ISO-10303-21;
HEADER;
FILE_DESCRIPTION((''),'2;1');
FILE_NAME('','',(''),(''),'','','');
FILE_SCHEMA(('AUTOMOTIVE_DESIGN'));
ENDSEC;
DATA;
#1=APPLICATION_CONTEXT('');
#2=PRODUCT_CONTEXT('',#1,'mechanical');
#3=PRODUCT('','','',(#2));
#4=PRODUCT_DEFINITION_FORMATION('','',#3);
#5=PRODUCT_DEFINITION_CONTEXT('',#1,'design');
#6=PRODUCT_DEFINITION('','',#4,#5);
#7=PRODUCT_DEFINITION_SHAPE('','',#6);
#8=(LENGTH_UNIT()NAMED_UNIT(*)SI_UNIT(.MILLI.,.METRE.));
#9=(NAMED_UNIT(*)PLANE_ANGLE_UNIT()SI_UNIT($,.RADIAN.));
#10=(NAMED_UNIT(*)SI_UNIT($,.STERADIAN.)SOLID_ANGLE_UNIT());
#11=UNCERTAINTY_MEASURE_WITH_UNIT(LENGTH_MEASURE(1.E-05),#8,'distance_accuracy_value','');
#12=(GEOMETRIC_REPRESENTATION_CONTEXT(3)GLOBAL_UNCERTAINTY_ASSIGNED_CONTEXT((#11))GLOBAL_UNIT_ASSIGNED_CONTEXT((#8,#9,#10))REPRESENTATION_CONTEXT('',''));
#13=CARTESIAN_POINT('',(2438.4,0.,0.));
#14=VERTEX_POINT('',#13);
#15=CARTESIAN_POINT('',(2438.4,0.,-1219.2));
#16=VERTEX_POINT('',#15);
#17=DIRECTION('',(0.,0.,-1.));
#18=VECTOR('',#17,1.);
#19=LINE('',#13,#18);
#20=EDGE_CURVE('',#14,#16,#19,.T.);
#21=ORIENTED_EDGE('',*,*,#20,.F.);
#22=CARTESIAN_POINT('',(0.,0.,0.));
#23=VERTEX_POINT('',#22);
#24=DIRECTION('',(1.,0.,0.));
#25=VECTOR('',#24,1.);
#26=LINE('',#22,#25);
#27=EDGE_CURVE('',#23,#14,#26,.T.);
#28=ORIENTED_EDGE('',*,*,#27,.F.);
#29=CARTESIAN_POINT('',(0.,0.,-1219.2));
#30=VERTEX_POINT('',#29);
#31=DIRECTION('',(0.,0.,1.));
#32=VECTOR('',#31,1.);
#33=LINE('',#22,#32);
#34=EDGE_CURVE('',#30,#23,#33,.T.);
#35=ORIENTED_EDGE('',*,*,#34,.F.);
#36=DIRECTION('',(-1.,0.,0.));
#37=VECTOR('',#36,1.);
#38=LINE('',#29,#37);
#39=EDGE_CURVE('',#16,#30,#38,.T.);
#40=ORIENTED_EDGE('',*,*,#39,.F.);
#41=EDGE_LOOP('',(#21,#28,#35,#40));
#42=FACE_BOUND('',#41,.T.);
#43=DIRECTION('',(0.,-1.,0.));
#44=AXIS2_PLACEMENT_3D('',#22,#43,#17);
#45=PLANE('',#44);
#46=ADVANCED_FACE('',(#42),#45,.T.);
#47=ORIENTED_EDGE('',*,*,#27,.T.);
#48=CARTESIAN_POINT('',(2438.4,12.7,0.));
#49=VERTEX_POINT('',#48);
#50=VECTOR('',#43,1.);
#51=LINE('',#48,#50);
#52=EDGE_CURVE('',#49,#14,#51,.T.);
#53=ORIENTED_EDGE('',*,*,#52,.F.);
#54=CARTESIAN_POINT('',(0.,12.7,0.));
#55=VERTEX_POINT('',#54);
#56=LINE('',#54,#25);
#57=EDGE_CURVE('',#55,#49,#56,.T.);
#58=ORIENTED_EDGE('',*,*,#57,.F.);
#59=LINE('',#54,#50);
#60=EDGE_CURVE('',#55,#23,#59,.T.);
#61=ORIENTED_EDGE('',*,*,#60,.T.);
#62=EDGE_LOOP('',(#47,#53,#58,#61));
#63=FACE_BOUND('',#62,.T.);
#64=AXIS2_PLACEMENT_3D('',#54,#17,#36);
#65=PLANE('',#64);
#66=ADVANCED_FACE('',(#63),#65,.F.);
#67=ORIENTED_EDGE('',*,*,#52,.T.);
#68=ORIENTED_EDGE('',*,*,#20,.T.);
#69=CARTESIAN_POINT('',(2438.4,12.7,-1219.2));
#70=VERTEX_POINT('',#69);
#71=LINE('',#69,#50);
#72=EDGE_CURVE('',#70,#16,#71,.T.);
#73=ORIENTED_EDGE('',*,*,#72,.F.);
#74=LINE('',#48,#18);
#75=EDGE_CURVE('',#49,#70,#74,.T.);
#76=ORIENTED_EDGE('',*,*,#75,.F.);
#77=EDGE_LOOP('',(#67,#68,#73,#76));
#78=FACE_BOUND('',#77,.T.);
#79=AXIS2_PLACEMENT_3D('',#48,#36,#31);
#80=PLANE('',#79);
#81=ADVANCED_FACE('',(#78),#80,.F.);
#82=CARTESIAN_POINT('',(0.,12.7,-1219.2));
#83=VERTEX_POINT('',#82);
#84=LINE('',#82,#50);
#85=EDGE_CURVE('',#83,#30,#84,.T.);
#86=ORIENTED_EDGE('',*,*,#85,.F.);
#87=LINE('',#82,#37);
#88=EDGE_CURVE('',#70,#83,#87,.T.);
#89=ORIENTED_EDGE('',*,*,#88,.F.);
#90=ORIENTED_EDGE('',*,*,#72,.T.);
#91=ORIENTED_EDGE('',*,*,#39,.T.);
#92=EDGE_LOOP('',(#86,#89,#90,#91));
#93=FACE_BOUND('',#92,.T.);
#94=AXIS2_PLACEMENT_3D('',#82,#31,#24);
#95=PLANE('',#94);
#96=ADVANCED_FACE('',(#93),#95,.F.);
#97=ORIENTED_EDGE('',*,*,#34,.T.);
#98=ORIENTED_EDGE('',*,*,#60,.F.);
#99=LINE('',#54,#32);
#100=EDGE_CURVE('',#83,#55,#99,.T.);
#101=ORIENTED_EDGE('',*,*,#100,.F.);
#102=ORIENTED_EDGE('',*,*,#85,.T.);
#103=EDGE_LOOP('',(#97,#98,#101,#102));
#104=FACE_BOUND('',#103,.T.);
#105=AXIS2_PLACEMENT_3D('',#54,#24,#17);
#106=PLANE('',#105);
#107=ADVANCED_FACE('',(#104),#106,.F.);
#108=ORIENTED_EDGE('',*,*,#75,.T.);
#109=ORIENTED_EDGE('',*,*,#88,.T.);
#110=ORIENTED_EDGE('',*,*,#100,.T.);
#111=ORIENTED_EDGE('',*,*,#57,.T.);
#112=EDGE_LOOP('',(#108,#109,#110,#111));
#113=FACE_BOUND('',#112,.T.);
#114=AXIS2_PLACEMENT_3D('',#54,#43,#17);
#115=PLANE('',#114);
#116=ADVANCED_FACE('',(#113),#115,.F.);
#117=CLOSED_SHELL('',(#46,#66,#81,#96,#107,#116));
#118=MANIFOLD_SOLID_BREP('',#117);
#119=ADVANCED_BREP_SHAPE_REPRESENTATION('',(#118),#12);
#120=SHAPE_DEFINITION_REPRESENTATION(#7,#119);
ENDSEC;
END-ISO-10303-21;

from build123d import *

# Parameters (mm, degrees)
SKETCH1_W           = 2438.4
SKETCH1_H           = 1219.2
BOSS_EXTRUDE1_DEPTH = 12.7


with BuildPart() as part:
    # Sketch1 → Boss-Extrude1 (new body)
    with BuildSketch(Plane(origin=(0, 0, 0), x_dir=(1, 0, 0), z_dir=(0, 1, 0))):
        with Locations((1219.2, 609.6)):
            Rectangle(SKETCH1_W, SKETCH1_H)
    extrude(amount=BOSS_EXTRUDE1_DEPTH)


solid = part.part
